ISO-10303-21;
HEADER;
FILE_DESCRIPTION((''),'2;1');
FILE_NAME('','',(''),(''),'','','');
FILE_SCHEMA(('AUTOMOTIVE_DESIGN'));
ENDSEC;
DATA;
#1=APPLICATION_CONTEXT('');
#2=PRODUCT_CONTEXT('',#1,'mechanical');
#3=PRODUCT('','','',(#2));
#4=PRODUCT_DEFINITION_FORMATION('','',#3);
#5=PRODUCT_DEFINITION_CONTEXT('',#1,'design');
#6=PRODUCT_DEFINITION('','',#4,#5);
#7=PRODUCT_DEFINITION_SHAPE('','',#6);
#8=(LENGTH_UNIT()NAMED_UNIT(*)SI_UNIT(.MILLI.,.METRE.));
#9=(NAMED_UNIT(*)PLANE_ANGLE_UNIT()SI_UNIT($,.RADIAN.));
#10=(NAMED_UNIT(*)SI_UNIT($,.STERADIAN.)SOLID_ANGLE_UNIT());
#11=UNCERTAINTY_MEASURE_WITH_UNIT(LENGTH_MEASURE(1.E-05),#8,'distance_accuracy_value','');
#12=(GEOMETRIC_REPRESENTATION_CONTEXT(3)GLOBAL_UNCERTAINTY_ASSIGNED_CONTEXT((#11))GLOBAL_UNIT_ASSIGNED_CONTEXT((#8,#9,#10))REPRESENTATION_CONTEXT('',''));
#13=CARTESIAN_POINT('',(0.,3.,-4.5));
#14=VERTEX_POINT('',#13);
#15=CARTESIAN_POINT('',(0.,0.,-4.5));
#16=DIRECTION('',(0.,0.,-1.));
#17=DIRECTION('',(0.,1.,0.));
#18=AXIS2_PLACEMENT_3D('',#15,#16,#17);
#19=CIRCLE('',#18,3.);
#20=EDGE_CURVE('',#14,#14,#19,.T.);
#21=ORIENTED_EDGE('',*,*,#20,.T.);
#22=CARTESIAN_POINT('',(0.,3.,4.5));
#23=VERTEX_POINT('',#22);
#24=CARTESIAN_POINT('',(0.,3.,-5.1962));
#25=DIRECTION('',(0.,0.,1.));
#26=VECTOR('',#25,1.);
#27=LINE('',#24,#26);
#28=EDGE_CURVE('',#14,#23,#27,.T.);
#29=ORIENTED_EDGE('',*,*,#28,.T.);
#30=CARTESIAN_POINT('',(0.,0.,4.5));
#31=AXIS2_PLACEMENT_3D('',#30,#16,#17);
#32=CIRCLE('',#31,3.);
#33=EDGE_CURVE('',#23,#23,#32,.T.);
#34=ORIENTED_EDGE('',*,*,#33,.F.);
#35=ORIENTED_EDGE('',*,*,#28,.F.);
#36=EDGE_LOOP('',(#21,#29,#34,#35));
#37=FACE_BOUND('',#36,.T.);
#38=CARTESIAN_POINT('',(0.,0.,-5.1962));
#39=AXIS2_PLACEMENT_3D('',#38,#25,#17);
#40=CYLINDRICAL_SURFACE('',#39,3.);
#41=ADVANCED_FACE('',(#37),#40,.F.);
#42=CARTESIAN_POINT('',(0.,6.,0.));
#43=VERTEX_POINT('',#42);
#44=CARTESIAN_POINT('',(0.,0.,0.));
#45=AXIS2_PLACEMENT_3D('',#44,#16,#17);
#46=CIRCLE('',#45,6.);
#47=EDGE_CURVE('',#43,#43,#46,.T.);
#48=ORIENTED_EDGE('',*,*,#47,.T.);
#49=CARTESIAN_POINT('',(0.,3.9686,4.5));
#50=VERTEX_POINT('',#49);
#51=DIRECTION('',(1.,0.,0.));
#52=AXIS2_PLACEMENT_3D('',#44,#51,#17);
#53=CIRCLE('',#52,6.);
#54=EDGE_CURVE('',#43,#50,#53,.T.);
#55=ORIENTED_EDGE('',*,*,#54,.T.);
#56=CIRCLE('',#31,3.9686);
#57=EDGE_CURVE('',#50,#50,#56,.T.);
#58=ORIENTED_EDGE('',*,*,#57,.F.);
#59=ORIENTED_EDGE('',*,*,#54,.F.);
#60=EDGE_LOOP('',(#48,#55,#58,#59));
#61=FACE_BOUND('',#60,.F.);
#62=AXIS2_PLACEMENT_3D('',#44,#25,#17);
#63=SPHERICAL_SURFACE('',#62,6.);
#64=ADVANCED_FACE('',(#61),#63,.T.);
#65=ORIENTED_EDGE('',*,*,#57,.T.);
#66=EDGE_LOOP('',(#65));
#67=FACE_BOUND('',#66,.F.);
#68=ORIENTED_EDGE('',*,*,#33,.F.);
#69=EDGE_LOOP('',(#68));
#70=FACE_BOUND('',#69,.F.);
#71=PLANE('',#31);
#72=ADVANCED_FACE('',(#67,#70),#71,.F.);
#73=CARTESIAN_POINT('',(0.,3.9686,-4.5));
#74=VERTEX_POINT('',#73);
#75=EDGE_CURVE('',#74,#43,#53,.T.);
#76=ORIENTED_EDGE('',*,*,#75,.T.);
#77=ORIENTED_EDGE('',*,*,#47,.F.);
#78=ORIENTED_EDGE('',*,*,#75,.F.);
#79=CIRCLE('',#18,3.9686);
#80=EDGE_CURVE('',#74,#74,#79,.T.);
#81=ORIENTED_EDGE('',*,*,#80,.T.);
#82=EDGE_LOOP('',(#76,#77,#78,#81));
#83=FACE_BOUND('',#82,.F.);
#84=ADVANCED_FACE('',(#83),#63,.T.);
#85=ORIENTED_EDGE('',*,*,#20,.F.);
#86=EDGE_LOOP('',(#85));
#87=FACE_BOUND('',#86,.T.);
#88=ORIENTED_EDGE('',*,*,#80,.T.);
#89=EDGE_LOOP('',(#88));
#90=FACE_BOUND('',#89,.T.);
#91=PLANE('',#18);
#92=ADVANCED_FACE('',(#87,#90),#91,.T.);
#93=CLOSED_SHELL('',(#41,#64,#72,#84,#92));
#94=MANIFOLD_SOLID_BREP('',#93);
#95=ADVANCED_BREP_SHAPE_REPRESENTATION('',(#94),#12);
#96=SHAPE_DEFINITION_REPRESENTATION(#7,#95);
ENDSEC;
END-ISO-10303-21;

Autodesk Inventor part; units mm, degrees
ref_plane "YZ Plane" through (0, 0, 0) normal (1, 0, 0) x (0, 1, 0)
ref_plane "XZ Plane" through (0, 0, 0) normal (0, 1, 0) x (-1, 0, 0)
ref_plane "XY Plane" through (0, 0, 0) normal (0, 0, 1) x (1, 0, 0)
sketch "Sketch1" plane through (0, 0, 0) normal (1, 0, 0) x (0, 1, 0)
  circle A0 centre (0, 0) radius 6
  line L0 (0, 6) -> (0, -6)
  line L1 (3, -5.1962) -> (3, 5.1962)
  line L2 (3.9686, 4.5) -> (3, 4.5)
  line L3 (3.9686, -4.5) -> (3, -4.5)
  dimension "d0" = 6
  dimension "d1" = 9
  dimension "d2" = 12
revolve "Revolution1" add sketch "Sketch1" angle 360 about axis through (0, 0, 6) along (0, 0, -1) contours A0 L3 L1 L2
properties part number "Ball_6mm_CPY_CPY"
